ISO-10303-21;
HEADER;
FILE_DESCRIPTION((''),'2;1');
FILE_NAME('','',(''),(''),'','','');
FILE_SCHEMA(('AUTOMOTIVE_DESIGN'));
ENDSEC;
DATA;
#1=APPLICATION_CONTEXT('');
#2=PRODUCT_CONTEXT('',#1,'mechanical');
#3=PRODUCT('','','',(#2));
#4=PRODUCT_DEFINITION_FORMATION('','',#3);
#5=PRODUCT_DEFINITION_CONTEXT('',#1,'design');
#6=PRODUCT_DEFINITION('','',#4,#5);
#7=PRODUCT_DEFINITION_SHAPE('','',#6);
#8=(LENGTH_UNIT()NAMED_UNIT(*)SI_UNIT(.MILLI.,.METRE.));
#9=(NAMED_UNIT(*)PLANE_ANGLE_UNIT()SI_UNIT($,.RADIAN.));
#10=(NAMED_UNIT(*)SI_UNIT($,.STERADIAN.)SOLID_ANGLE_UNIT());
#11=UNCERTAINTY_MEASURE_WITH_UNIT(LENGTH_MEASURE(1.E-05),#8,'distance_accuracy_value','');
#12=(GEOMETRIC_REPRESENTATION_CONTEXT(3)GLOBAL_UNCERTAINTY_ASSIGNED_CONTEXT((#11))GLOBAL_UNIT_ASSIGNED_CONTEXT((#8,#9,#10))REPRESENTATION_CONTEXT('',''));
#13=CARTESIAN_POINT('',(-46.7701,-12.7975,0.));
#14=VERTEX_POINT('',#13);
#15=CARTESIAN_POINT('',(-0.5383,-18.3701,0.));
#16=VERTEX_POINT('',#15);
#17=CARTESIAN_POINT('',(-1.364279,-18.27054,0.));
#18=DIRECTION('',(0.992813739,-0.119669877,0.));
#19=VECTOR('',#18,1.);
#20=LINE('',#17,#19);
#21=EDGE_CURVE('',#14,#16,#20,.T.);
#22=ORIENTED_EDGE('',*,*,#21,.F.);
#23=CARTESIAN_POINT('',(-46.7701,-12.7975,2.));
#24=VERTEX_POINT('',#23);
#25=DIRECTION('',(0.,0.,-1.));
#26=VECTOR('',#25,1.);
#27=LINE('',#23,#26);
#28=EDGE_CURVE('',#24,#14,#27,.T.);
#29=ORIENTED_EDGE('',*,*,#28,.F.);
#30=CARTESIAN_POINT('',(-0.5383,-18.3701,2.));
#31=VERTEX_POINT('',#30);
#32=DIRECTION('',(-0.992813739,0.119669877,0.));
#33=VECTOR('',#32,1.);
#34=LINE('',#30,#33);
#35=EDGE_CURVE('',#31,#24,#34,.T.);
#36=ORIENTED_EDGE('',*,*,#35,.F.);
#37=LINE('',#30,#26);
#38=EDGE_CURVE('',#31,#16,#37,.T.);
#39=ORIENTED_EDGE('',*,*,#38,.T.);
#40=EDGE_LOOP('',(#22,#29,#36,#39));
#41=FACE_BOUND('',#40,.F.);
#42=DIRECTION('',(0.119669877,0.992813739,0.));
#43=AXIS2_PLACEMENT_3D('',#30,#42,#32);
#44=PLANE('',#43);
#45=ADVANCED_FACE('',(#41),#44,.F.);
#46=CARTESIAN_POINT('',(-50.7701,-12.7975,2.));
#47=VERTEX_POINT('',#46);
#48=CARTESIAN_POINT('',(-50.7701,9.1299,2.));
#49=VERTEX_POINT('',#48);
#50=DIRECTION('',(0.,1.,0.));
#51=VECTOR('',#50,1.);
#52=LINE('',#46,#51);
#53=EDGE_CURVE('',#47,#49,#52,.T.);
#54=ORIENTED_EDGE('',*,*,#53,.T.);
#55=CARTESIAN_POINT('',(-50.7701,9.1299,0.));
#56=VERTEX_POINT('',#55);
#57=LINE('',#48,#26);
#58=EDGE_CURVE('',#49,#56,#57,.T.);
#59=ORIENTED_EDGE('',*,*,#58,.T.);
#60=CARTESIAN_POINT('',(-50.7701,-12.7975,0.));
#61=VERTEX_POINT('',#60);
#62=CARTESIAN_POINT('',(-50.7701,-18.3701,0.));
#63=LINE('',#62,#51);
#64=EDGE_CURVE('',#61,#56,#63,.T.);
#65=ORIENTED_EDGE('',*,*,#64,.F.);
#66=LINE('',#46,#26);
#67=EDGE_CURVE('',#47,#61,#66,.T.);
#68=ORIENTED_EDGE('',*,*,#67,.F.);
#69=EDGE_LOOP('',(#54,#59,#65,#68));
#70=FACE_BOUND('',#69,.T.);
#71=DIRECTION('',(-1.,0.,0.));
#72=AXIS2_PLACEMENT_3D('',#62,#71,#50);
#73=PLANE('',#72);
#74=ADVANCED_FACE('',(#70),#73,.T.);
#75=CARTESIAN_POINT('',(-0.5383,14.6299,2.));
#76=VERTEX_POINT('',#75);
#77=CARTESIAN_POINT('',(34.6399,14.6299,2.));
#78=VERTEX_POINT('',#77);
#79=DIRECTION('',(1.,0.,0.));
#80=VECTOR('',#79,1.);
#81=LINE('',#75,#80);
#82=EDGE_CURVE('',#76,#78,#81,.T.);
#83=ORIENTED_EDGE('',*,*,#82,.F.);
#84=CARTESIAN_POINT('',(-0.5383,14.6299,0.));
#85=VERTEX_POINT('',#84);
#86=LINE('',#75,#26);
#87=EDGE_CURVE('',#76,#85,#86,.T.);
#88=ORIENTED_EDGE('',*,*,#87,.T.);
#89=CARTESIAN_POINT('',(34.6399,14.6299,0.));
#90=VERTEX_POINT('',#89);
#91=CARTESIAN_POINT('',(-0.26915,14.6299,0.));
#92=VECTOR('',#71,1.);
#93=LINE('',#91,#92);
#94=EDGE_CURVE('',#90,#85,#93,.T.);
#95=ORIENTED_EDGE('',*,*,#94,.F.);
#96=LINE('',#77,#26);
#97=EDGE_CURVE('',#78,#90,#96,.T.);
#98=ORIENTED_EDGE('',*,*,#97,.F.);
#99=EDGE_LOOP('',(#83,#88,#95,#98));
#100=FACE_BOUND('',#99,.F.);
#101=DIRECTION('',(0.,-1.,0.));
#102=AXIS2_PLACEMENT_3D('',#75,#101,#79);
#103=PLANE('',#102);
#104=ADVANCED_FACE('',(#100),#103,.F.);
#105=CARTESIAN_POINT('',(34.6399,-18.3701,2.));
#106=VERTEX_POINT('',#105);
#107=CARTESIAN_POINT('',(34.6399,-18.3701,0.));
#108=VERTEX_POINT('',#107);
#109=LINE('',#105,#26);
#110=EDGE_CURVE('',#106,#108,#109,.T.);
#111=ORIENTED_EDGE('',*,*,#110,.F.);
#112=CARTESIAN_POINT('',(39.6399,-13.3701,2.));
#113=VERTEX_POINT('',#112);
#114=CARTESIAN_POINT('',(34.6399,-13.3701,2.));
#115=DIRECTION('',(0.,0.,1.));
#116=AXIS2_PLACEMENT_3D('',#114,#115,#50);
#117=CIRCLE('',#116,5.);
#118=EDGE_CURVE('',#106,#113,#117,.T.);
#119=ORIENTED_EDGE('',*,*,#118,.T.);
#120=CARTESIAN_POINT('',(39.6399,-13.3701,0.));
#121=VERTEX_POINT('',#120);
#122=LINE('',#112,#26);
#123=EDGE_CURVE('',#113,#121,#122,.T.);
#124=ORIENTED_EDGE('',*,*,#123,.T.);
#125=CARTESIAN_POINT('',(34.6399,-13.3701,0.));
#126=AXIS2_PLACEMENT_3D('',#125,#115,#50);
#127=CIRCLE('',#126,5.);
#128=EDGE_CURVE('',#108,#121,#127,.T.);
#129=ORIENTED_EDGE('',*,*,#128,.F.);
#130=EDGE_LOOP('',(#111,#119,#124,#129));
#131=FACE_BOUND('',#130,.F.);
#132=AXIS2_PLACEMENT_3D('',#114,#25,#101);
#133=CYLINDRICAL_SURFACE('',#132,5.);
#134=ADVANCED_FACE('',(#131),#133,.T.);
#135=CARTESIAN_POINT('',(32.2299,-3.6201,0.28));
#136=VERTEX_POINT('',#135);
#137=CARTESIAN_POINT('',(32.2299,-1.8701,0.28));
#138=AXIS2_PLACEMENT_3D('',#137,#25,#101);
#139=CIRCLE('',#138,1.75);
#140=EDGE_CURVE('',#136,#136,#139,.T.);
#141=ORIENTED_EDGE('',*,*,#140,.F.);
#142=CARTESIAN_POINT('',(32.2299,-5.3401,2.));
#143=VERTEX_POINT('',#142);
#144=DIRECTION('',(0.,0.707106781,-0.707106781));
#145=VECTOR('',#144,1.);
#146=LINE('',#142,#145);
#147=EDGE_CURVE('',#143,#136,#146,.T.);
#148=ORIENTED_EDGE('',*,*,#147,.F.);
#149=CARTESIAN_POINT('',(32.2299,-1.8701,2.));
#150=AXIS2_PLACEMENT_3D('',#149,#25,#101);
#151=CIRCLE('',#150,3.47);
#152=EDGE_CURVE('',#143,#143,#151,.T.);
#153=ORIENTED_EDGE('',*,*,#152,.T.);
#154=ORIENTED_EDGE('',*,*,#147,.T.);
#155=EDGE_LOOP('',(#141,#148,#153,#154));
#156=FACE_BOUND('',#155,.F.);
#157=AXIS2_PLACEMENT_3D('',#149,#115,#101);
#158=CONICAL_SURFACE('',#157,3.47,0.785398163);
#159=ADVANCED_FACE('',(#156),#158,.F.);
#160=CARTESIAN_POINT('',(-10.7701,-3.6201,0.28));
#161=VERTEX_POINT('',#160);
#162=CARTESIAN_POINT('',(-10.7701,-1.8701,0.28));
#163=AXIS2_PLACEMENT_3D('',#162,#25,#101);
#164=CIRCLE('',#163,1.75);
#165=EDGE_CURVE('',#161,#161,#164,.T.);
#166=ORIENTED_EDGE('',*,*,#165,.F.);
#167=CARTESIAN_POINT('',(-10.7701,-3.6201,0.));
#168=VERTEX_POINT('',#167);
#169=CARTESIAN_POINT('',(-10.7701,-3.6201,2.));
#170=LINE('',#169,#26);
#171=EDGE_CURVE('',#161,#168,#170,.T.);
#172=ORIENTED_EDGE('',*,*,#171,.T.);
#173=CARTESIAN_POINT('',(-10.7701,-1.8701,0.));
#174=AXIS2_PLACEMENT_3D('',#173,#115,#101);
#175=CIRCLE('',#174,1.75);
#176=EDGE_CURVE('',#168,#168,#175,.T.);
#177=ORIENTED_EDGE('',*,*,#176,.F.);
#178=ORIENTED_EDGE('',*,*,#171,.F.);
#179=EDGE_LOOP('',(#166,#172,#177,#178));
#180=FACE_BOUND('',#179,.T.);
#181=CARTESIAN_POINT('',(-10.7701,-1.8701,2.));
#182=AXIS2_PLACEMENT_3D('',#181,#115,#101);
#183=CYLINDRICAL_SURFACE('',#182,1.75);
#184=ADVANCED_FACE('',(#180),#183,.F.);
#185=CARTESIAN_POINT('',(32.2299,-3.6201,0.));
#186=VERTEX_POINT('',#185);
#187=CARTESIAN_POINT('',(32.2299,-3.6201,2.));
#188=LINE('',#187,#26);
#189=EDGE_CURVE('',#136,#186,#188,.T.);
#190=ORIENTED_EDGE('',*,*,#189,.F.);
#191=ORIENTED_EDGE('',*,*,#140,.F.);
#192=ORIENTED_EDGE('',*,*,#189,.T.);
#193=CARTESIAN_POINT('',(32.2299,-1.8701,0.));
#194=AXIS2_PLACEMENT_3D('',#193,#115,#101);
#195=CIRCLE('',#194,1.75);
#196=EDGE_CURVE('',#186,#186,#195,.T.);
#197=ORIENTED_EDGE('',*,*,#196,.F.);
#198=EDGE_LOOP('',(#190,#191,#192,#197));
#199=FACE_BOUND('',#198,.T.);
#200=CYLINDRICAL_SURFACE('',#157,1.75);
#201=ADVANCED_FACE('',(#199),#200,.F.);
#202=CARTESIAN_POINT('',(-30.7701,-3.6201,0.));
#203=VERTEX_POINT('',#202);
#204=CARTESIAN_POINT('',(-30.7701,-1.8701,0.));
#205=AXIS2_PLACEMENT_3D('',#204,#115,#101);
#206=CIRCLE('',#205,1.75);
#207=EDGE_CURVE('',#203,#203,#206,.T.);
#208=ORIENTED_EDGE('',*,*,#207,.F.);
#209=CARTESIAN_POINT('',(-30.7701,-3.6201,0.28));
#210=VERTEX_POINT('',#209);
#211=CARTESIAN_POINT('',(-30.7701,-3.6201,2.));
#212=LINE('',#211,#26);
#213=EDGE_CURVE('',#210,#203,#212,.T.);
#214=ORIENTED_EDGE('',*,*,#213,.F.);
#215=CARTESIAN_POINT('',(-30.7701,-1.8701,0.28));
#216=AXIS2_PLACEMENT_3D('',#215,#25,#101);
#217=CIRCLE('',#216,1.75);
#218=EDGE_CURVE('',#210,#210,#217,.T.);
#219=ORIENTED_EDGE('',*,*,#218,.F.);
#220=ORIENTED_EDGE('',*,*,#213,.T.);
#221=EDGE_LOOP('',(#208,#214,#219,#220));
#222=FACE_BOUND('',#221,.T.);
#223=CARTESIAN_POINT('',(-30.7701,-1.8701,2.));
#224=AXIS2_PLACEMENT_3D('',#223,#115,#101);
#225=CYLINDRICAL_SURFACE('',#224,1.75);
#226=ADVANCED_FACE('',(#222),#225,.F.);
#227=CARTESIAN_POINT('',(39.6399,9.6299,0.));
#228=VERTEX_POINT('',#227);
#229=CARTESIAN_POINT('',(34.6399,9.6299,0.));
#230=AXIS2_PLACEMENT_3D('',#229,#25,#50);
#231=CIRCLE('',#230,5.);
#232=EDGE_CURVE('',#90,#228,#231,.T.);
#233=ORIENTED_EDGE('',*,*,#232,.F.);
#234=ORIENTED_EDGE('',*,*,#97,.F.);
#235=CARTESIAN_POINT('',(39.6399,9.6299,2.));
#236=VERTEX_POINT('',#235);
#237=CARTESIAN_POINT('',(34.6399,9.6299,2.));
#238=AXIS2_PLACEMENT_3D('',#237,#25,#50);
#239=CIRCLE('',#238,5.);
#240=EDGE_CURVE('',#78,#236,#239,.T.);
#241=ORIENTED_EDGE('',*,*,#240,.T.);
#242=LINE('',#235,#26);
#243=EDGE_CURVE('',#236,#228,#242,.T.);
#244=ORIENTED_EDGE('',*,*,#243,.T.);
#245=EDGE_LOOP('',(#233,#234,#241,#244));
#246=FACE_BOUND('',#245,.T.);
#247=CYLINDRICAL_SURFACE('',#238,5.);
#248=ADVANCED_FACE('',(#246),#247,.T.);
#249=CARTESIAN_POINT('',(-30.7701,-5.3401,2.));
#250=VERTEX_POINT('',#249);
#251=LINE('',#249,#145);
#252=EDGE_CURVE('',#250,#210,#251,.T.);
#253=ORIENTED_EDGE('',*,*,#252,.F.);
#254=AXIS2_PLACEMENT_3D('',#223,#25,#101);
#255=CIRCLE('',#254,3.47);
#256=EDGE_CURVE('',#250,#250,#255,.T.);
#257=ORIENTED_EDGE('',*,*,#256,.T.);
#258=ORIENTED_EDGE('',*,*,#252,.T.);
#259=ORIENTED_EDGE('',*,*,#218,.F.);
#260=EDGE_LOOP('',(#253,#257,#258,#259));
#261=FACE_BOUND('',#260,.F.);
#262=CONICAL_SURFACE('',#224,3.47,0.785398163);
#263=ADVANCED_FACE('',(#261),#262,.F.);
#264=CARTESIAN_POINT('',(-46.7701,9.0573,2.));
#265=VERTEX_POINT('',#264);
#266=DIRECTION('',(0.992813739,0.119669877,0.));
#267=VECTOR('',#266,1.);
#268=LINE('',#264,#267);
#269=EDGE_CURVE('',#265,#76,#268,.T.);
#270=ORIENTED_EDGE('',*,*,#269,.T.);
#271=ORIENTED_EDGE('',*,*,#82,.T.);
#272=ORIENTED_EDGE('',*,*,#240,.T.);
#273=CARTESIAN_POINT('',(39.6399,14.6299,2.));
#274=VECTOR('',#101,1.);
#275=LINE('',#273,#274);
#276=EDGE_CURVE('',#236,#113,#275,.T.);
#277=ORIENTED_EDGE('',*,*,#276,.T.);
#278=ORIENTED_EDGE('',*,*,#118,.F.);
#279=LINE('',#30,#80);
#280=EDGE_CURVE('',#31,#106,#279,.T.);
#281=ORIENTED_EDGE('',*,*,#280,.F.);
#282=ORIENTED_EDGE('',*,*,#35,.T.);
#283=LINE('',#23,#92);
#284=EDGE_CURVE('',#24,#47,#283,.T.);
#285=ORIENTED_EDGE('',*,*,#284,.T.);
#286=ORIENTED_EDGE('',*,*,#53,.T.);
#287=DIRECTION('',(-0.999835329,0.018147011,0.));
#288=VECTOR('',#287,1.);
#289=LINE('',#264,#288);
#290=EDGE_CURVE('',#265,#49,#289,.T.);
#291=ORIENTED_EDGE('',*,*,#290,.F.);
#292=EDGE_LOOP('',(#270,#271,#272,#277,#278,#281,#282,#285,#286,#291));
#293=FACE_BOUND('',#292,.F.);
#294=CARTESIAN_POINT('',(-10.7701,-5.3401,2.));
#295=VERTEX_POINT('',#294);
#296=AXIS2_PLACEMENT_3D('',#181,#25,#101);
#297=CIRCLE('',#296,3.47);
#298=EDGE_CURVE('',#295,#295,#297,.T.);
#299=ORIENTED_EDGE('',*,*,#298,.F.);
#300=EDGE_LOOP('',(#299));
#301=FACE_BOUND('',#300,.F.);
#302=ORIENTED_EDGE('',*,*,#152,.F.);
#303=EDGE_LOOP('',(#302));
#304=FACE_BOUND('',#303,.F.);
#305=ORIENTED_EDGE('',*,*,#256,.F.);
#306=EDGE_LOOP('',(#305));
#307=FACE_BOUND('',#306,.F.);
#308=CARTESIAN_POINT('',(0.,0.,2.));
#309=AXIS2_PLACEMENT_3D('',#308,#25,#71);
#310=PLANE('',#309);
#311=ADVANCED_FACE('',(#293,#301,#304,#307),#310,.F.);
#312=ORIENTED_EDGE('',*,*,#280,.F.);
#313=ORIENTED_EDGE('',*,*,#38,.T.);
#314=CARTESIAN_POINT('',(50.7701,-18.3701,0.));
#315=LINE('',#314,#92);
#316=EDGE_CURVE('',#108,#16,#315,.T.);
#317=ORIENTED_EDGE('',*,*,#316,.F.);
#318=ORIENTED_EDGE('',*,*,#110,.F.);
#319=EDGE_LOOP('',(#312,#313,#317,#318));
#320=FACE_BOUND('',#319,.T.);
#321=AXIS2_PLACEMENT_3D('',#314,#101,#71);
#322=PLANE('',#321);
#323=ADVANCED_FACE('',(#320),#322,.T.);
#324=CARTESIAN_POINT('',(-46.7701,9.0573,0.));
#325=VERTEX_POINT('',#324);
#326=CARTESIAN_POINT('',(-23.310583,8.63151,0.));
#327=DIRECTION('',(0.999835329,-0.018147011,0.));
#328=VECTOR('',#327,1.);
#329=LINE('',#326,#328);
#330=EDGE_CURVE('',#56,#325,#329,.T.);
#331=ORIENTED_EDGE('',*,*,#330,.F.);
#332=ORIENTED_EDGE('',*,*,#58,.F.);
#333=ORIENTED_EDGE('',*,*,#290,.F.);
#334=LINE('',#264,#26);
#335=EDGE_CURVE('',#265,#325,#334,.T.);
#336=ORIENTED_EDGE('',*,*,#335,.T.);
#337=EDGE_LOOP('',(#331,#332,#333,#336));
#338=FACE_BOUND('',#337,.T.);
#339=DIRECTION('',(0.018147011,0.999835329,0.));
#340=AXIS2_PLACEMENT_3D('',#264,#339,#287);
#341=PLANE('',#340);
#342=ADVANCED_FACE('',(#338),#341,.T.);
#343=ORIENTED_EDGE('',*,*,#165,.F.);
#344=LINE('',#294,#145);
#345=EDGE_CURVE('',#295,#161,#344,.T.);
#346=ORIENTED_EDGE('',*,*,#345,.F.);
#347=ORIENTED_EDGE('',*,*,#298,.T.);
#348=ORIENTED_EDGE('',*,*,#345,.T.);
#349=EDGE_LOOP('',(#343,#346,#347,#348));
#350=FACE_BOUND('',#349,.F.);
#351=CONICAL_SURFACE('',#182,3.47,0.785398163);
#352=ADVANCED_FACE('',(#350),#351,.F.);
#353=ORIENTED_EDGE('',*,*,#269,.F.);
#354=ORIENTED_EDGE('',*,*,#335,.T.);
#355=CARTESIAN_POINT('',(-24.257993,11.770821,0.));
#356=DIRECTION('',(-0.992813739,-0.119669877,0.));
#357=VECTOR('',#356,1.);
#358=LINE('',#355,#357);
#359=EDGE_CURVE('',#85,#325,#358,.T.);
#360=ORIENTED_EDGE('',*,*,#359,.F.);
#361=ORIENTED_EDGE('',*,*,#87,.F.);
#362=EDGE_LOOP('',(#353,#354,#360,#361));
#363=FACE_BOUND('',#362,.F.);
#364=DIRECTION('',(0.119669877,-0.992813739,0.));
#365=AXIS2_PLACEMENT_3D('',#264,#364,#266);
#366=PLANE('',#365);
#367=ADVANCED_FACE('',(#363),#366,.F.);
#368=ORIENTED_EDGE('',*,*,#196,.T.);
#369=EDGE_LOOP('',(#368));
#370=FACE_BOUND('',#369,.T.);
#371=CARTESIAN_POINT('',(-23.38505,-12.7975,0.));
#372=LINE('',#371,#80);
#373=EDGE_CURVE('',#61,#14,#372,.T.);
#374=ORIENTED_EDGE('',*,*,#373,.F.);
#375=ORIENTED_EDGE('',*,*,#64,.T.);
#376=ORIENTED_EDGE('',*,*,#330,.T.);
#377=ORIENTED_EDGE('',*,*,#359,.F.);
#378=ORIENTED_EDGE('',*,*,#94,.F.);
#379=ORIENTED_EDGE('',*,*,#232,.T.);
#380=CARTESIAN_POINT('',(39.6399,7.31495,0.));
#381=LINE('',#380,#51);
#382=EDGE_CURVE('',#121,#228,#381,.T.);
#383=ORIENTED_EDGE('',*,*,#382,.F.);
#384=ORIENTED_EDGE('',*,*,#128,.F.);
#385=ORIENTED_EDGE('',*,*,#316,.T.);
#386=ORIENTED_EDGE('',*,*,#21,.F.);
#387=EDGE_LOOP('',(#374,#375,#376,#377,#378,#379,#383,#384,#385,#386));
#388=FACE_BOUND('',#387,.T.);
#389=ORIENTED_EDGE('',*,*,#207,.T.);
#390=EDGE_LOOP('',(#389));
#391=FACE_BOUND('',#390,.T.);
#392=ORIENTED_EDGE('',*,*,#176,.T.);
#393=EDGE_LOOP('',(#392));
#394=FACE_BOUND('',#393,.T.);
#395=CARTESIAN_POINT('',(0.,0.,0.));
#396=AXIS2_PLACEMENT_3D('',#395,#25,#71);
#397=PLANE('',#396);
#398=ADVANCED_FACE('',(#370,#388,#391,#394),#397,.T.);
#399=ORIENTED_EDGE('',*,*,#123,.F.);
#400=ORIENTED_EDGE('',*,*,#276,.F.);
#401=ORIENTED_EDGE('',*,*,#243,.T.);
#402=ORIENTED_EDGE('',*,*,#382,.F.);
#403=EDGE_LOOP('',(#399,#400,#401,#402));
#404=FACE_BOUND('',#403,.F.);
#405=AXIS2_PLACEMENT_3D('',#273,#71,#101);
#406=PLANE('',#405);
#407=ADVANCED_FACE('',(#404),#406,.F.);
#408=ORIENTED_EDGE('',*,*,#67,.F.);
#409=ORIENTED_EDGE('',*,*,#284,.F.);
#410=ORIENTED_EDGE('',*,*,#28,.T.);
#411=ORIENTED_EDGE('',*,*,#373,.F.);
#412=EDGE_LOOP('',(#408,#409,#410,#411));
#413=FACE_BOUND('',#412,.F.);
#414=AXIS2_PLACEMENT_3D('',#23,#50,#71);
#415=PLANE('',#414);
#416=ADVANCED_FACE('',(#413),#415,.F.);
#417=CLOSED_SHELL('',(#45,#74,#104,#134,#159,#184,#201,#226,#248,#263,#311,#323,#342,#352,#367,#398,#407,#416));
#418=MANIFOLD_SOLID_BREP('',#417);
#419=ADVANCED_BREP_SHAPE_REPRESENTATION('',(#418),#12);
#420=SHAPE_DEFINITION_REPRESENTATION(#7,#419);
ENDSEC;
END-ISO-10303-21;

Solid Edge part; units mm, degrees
sketch "Sketch1" plane through (0, 0, 0) normal (0, 0, 1) x (1, 0, 0)
  line L0 (-50.7701, 18.3701) -> (50.7701, 18.3701)
  line L1 (50.7701, 18.3701) -> (50.7701, -18.3701)
  line L2 (50.7701, -18.3701) -> (-50.7701, -18.3701)
  line L3 (-50.7701, -18.3701) -> (-50.7701, 18.3701)
  dimension "D1" = 101.5402
  dimension "D2" = 36.7402
extrude "Protrusion1" add sketch "Sketch1" along normal blind 2
sketch "Sketch2" plane through (0, 0, 2) normal (0, 0, 1) x (0, -1, 0)
  line L0 (-14.6299, 39.6399) -> (18.3701, 39.6399)
  line L1 (18.3701, -0.5383) -> (18.3701, 39.6399)
  line L2 (18.3701, -0.5383) -> (12.7975, -46.7701)
  line L3 (12.7975, -46.7701) -> (12.7975, -50.7701)
  line L4 (12.7975, -50.7701) -> (-9.1299, -50.7701)
  line L5 (-9.0573, -46.7701) -> (-9.1299, -50.7701)
  line L6 (-9.0573, -46.7701) -> (-14.6299, -0.5383)
  line L7 (-14.6299, -0.5383) -> (-14.6299, 39.6399)
extrude "Extrusionsausschnitt_1" cut sketch "Sketch2" against normal blind 130.0765 flip side to cut
hole "Bohrung_1" at (-10.7701, -1.8701, 2) direction (0, 0, -1) diameter 3.5 end up to next countersink diameter 6.94 countersink angle 90
hole "Hole1" at (-30.7701, -1.8701, 2) direction (0, 0, -1) diameter 3.5 end up to next countersink diameter 6.94 countersink angle 90
hole "Hole2" at (32.2299, -1.8701, 2) direction (0, 0, -1) diameter 3.5 end up to next countersink diameter 6.94 countersink angle 90
fillet "Verrundung_1" radius 5 2 edges at (39.6399, -18.3701, 1) (39.6399, 14.6299, 1)
